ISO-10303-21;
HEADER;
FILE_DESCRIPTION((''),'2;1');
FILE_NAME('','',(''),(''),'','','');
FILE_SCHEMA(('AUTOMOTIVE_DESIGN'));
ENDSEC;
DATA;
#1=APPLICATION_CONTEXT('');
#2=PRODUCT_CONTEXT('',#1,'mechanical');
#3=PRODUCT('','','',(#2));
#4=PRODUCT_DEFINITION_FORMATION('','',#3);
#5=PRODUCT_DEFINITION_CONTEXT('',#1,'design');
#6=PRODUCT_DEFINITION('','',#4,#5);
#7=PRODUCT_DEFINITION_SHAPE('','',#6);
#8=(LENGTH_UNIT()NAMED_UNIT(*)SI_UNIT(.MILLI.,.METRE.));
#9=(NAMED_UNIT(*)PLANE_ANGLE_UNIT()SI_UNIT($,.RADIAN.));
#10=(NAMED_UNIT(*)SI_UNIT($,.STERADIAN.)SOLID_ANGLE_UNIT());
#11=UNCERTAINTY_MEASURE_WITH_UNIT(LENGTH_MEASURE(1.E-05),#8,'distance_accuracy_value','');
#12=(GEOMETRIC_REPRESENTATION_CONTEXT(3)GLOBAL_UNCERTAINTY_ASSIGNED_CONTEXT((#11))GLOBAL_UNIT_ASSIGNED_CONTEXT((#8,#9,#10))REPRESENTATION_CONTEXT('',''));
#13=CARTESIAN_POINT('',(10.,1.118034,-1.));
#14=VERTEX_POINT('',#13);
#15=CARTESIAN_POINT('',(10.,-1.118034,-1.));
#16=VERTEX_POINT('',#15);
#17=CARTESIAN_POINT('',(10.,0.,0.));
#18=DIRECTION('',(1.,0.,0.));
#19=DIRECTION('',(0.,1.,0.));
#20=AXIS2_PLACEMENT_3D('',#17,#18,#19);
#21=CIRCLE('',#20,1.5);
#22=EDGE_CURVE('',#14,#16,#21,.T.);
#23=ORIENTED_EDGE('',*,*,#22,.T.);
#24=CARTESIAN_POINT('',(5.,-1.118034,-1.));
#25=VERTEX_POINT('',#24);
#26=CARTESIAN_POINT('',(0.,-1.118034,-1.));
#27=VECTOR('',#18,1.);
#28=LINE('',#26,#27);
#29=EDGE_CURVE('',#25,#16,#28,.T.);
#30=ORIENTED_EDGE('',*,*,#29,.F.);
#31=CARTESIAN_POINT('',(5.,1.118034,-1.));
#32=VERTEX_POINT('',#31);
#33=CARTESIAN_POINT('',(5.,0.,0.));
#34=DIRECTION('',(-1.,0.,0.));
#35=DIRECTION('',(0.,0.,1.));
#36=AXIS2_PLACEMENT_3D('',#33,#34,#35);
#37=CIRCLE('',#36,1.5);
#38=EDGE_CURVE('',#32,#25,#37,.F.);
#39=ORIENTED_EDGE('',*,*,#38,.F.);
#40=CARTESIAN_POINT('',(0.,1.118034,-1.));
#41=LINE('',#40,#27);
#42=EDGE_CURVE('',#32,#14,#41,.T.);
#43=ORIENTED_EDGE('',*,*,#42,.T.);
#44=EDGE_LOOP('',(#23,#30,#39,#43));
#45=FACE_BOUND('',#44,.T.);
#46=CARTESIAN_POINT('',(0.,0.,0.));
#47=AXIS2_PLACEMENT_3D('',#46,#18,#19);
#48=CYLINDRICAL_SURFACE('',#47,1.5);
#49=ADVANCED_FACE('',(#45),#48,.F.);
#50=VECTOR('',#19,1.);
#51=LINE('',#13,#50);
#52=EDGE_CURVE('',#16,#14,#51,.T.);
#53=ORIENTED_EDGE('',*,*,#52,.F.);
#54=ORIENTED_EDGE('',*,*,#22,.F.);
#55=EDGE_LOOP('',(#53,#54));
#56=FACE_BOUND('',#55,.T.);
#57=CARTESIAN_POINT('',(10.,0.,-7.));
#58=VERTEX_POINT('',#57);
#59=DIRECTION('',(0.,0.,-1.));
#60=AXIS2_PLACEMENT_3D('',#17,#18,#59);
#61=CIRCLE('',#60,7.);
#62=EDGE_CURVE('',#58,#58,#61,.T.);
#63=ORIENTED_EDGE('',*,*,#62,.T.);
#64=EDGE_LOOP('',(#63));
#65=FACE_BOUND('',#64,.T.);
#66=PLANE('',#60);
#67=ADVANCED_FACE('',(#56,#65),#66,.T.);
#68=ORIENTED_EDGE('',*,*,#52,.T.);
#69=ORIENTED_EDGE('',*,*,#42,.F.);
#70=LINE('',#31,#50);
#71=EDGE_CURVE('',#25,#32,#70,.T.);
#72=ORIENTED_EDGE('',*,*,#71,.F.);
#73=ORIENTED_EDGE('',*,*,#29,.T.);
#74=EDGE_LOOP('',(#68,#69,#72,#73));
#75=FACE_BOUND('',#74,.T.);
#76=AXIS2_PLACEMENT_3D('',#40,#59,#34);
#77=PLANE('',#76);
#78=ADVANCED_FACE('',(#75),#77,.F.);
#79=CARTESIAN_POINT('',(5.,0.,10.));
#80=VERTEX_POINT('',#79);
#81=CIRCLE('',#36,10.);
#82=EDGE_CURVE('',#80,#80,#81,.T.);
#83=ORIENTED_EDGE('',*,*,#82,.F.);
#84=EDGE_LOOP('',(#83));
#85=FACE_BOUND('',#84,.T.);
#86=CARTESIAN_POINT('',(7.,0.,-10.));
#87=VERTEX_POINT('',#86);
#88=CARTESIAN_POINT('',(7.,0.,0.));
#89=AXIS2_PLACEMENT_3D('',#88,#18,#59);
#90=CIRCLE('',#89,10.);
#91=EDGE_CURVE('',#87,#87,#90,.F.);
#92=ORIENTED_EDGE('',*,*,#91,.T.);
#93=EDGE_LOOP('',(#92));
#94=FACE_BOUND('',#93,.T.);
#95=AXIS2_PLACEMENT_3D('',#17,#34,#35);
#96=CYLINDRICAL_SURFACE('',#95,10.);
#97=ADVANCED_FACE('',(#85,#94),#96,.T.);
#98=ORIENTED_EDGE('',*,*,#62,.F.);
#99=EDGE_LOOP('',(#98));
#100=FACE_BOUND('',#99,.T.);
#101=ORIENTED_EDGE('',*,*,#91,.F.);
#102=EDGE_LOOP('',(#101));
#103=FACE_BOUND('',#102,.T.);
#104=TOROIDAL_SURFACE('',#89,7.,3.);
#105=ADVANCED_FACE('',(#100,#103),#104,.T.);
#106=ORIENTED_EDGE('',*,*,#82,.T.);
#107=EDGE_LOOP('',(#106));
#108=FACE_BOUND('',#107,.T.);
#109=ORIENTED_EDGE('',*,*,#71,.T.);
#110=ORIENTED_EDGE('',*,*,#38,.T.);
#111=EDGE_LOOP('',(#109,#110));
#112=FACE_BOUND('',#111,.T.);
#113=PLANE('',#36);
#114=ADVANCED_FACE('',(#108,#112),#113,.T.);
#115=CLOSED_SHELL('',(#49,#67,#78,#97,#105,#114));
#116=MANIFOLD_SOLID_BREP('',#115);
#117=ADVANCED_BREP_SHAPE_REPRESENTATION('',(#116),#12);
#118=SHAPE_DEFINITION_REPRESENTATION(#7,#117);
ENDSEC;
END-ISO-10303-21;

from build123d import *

# Parameters (mm, degrees)
SKETCH1_R           = 10
BOSS_EXTRUDE1_DEPTH = 10
CUT_EXTRUDE1_DEPTH  = 18.320508076
FILLET1_R           = 3


with BuildPart() as part:
    # Sketch1 → Boss-Extrude1 (new body)
    with BuildSketch(Plane(origin=(0, 0, 0), x_dir=(0, -1, 0), z_dir=(1, 0, 0))):
        with Locations(Location((0, 0, 0), (0, 0, 90))):
            Circle(SKETCH1_R)
    extrude(amount=BOSS_EXTRUDE1_DEPTH)

    # Sketch2 → Cut-Extrude1 (cut, through all)
    with BuildSketch(Plane(origin=(10, 0, 0), x_dir=(0, -1, 0), z_dir=(1, 0, 0))):
        with BuildLine():
            Line((-1.118033989, 1), (1.118033989, 1))
            ThreePointArc((1.118033989, 1), (0, -1.5), (-1.118033989, 1))
        make_face()
    extrude(amount=-CUT_EXTRUDE1_DEPTH, mode=Mode.SUBTRACT)

    # Fillet1
    fillet1_edges = [part.edges().sort_by_distance(p)[0] for p in [
        (0, 0, 10),
        (10, 0, 10),
    ]]
    fillet(fillet1_edges, radius=FILLET1_R)

    # SurfaceCut1
    split(bisect_by=Plane.ZY.offset(-5), keep=Keep.BOTTOM)


solid = part.part
